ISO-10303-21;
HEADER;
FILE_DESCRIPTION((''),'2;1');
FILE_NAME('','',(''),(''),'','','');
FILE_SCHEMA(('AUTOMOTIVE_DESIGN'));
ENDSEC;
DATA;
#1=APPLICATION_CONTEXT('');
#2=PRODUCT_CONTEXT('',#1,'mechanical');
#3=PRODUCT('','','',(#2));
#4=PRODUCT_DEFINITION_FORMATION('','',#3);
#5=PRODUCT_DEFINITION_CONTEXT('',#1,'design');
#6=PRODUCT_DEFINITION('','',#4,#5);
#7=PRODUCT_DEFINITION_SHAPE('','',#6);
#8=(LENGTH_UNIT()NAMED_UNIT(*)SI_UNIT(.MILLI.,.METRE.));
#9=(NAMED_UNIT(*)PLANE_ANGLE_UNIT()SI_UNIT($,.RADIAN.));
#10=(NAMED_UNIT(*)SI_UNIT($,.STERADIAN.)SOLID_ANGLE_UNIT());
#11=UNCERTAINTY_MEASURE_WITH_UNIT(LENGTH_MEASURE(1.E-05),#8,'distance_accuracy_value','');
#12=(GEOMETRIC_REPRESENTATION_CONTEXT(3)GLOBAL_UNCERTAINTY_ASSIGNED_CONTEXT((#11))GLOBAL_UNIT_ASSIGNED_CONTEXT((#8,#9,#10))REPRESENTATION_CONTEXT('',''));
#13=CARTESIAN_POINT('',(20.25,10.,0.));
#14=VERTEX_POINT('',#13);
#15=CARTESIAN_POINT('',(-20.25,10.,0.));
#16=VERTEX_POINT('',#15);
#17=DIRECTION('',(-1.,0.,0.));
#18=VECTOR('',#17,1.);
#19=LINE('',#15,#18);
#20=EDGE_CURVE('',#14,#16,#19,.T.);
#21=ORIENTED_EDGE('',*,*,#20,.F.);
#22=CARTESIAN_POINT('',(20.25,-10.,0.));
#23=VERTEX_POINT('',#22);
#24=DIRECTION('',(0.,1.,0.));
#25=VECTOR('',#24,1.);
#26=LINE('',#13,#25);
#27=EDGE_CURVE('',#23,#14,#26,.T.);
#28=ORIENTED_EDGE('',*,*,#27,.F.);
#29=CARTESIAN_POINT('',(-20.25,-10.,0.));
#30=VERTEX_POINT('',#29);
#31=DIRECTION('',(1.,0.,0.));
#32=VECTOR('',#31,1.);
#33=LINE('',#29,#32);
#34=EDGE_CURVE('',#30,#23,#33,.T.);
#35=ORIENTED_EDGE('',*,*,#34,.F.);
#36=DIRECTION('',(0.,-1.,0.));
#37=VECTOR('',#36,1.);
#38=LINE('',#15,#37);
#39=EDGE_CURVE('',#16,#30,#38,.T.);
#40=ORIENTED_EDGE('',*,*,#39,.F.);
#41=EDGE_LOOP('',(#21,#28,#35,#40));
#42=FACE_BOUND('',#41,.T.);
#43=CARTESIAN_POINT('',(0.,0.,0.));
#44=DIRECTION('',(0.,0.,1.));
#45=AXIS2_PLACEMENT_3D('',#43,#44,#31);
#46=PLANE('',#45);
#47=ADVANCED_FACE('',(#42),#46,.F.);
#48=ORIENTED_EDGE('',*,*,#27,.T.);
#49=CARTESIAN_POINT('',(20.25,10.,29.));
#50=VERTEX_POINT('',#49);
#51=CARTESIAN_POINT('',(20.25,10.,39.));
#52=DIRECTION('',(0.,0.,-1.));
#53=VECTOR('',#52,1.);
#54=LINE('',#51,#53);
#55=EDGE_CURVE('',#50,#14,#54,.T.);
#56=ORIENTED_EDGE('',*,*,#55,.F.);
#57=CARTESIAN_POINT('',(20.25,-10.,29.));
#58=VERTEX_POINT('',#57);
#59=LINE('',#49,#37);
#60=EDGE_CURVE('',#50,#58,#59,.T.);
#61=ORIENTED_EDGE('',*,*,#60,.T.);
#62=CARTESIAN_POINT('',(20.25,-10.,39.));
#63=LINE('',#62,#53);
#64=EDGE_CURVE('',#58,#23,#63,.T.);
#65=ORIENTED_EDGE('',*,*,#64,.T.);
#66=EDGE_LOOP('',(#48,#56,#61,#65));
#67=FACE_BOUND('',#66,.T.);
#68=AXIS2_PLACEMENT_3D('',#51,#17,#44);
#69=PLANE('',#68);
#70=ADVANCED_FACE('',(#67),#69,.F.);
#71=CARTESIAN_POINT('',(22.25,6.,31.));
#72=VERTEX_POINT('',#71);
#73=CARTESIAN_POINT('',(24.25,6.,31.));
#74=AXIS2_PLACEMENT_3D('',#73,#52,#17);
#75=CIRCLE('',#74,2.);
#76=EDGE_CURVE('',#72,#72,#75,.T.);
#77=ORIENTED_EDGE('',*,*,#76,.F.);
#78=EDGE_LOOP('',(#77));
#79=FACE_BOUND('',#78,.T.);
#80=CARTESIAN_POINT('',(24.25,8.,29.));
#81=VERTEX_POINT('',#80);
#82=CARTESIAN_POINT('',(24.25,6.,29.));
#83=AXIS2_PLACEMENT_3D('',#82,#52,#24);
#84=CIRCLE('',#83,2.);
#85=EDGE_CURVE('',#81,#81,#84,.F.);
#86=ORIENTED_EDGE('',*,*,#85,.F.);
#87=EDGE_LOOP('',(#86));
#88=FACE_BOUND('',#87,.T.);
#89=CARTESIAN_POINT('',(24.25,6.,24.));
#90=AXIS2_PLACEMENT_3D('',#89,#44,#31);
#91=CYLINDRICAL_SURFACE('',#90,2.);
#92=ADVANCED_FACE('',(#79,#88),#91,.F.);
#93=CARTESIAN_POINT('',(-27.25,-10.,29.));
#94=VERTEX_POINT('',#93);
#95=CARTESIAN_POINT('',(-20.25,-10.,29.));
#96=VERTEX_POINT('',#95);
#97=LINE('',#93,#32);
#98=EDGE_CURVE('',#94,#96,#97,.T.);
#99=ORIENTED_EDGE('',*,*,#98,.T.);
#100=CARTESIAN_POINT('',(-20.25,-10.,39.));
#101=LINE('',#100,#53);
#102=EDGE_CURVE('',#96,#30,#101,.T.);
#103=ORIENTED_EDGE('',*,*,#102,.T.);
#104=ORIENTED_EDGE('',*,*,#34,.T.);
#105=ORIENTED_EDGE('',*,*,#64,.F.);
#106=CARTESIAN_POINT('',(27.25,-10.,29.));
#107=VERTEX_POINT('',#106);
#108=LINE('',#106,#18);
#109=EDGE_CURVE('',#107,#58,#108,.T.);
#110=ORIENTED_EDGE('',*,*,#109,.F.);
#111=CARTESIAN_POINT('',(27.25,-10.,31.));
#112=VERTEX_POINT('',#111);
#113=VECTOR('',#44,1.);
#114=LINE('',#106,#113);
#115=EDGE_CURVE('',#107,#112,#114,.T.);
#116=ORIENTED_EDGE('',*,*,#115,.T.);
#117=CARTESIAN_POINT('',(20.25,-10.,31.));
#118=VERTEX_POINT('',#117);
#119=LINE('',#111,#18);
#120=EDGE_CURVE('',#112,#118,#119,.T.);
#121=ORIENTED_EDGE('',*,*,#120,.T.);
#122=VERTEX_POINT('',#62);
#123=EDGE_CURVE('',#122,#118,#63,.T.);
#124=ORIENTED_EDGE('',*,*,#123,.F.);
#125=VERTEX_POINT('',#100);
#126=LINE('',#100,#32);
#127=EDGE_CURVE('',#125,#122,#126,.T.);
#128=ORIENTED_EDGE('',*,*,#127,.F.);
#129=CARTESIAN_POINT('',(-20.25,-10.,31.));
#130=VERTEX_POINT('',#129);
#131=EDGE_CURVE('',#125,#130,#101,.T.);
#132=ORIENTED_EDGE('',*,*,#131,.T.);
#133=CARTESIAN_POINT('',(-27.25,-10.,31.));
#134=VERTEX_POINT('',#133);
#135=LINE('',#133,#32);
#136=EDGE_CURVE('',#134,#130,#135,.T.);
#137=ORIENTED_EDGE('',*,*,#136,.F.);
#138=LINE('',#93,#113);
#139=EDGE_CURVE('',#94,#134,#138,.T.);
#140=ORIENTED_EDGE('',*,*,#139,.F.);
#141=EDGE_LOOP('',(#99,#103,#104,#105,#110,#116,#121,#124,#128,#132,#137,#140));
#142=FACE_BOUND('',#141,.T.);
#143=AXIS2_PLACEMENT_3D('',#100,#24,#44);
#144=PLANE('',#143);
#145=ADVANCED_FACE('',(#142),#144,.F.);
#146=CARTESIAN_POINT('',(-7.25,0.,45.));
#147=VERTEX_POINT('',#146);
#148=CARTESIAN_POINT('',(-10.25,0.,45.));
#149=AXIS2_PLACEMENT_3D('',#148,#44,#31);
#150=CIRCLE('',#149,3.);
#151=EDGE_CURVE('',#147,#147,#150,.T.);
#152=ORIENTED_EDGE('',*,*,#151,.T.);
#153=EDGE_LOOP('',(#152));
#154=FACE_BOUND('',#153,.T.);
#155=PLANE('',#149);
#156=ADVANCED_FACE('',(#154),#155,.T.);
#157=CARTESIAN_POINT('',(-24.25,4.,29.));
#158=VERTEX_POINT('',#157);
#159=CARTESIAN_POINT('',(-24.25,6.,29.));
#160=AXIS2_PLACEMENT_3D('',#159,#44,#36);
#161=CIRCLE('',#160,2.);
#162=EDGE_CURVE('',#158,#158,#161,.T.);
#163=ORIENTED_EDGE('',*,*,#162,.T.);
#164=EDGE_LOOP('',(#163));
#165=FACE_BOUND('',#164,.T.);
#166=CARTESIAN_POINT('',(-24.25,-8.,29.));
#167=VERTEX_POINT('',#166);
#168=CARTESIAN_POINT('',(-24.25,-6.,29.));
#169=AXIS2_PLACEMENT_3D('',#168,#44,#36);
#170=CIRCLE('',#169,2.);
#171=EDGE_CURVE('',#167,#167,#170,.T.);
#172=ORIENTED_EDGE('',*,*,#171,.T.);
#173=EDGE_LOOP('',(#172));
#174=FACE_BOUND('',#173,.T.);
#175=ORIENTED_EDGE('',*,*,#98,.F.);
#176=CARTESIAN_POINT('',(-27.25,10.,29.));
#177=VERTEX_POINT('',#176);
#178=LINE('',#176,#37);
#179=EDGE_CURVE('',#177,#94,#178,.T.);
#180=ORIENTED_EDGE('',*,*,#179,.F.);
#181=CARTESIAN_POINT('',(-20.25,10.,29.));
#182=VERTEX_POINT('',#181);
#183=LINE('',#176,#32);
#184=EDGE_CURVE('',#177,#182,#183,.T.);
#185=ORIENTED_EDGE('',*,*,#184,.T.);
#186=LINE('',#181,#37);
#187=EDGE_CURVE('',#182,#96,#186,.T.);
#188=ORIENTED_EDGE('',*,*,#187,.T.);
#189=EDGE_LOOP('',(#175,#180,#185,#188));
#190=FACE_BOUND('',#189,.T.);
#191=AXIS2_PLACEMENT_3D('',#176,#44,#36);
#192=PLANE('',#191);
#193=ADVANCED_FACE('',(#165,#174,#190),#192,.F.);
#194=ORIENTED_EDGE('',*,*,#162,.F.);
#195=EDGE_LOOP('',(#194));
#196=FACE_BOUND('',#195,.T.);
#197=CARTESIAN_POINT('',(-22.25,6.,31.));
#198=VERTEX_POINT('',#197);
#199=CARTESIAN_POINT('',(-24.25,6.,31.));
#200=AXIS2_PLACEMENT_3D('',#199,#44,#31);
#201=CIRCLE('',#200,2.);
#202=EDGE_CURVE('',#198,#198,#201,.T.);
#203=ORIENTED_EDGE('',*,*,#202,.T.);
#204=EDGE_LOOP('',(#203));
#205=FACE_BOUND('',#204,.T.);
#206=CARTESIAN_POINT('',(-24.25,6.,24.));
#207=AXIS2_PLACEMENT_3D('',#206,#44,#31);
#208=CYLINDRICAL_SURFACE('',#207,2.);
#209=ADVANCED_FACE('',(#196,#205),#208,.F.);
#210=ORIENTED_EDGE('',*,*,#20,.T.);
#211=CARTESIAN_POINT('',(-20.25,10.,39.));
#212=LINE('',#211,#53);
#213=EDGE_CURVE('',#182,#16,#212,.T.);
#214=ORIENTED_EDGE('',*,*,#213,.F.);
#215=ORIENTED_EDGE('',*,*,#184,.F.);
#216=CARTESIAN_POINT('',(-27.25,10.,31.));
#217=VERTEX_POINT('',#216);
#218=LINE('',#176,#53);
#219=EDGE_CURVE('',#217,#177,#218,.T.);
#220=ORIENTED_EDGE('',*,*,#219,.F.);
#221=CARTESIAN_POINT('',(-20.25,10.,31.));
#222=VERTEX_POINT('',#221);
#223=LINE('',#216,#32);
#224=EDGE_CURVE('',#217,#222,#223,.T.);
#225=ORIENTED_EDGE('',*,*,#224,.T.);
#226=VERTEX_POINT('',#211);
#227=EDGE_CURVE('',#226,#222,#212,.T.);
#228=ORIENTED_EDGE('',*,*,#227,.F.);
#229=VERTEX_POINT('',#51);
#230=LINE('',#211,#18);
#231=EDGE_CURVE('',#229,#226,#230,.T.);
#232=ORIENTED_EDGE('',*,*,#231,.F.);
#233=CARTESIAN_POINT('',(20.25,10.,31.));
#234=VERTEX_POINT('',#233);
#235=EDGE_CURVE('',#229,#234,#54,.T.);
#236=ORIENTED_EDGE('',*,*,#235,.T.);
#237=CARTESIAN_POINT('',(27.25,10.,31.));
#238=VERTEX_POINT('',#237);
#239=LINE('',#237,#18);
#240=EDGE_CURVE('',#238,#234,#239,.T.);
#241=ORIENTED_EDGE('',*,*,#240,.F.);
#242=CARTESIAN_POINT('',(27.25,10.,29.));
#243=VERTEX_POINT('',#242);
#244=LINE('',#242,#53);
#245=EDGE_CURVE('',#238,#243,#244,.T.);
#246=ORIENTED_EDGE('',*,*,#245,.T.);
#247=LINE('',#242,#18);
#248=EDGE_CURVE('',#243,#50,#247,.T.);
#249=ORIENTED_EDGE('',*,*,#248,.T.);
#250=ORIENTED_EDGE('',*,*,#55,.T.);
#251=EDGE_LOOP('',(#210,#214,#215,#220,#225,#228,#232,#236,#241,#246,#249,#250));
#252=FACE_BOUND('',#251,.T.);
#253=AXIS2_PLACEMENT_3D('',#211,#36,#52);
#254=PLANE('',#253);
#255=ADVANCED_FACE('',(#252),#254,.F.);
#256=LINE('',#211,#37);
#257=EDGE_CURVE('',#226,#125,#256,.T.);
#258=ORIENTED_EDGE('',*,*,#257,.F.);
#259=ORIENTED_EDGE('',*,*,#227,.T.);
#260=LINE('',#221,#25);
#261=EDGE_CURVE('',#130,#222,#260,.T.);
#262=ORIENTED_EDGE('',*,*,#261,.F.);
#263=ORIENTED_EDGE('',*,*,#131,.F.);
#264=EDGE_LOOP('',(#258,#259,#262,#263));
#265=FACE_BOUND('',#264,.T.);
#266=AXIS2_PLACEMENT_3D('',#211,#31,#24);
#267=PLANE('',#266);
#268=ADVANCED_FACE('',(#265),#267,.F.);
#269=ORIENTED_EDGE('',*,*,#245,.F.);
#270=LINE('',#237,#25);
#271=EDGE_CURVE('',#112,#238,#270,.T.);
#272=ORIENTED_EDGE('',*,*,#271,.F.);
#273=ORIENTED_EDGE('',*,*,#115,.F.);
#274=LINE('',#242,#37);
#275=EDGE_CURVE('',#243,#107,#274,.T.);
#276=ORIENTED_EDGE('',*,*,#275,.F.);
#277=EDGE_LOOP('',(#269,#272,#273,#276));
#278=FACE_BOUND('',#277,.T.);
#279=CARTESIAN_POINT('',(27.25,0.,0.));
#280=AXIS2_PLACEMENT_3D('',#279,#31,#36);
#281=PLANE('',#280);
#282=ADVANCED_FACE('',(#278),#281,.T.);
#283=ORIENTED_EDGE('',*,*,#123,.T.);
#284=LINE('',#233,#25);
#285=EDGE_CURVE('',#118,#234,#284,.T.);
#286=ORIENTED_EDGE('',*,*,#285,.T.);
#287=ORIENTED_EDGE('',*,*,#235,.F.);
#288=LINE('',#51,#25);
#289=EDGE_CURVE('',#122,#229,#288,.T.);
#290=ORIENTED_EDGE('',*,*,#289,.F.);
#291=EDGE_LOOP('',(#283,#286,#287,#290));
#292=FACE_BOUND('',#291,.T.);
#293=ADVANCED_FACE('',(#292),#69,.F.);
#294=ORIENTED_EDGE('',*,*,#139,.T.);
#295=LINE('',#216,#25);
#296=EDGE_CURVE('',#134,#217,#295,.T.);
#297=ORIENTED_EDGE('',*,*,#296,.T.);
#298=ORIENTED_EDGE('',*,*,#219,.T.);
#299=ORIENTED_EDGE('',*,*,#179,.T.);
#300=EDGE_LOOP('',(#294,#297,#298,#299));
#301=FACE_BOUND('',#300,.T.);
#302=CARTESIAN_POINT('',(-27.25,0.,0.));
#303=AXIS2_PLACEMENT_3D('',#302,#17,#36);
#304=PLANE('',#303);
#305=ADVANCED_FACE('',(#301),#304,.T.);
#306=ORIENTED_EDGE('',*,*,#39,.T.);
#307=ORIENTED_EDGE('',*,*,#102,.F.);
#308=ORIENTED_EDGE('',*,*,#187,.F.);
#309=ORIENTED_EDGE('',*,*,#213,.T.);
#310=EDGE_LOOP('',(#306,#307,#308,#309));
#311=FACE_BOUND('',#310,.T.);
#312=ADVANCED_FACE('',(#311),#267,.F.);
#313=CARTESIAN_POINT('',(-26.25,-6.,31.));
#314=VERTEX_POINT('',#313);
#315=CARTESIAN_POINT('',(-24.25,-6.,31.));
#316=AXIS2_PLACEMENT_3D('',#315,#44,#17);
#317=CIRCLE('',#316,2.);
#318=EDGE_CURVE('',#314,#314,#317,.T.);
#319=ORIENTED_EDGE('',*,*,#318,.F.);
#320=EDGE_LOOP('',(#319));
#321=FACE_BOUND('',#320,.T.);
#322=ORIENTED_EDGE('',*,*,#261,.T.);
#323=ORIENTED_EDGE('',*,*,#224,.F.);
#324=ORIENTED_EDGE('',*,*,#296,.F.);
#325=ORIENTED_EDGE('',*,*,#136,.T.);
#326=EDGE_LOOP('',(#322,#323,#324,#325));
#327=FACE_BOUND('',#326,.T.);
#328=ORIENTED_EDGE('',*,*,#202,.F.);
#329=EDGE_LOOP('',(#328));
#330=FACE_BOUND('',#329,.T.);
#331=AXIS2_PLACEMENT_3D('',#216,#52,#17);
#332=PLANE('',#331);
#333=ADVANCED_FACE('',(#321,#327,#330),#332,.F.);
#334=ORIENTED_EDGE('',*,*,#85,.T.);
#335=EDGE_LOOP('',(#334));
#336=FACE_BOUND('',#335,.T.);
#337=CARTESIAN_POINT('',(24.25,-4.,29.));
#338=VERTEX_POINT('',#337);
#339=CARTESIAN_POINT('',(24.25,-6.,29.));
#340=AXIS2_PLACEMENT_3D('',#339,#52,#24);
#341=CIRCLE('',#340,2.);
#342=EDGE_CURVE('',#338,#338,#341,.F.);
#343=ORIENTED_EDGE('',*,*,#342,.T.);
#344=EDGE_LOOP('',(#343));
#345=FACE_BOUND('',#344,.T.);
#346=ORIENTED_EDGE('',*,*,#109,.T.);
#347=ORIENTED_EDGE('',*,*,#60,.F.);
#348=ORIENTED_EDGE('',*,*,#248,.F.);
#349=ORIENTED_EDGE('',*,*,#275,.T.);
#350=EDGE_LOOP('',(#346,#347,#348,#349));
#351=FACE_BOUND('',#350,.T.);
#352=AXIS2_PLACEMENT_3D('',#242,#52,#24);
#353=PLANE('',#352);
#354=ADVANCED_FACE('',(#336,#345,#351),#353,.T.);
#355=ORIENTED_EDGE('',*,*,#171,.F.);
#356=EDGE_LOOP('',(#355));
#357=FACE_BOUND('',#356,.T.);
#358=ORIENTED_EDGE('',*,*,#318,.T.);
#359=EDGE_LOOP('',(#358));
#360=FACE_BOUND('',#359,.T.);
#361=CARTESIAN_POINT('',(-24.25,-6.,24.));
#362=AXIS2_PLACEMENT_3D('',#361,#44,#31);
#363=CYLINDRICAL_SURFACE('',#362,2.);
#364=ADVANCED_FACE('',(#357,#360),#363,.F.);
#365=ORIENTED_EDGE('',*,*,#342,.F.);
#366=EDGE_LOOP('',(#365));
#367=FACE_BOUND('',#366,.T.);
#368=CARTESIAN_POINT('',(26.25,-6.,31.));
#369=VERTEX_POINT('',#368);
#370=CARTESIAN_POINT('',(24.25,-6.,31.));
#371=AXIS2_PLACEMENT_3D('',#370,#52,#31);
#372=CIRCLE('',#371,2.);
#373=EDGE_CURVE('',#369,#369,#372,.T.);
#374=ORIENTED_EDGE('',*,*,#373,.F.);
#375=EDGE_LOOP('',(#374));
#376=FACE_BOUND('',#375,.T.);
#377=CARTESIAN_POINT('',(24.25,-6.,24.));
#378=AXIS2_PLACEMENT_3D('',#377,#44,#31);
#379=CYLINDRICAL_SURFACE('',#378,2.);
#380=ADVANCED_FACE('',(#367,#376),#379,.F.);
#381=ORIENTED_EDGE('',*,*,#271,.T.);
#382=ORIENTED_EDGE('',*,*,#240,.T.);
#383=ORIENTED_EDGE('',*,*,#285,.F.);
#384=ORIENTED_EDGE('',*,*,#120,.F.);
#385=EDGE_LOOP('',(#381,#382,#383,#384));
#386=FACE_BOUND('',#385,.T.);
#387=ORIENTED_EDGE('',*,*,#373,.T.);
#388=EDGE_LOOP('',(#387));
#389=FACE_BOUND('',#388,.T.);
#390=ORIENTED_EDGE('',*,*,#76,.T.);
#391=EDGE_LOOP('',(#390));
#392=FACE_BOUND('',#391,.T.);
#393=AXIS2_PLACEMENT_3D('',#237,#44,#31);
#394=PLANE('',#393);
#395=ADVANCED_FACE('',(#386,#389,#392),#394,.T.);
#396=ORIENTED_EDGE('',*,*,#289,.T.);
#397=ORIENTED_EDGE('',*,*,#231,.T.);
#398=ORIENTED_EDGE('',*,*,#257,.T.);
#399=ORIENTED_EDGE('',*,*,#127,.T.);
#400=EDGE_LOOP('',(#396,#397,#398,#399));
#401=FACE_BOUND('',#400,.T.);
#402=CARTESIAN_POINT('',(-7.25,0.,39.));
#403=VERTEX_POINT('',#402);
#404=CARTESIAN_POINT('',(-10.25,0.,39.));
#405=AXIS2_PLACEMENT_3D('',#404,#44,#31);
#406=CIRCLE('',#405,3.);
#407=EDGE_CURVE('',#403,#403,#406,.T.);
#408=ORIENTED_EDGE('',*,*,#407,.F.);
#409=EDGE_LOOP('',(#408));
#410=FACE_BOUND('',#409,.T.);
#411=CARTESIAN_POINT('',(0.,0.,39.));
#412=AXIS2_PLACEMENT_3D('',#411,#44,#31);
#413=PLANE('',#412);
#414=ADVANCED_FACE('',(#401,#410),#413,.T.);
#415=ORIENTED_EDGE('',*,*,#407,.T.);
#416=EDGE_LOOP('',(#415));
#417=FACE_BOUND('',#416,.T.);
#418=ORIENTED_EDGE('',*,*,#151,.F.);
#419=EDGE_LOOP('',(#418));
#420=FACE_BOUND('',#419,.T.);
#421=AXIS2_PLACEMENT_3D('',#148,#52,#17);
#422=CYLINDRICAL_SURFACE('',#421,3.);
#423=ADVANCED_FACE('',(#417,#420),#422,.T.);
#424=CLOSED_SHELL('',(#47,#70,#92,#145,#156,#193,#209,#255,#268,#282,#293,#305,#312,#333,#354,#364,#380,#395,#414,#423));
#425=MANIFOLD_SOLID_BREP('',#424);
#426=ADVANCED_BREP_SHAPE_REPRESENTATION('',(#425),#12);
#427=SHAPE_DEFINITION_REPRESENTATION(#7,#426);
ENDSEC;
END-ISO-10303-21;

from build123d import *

# Parameters (mm, degrees)
SKETCH1_W           = 40.5
SKETCH1_H           = 20
BOSS_EXTRUDE1_DEPTH = 39
SKETCH2_R           = 3
BOSS_EXTRUDE2_DEPTH = 6
SKETCH3_W           = 2
SKETCH3_H           = 20
BOSS_EXTRUDE3_DEPTH = 7
SKETCH4_R           = 2
CUT_EXTRUDE1_DEPTH  = 7


with BuildPart() as part:
    # Sketch1 → Boss-Extrude1 (new body)
    with BuildSketch(Plane.XY):
        Rectangle(SKETCH1_W, SKETCH1_H)
    extrude(amount=BOSS_EXTRUDE1_DEPTH)

    # Sketch2 → Boss-Extrude2 (add)
    with BuildSketch(Plane.XY.offset(39)):
        with Locations((-10.25, 0)):
            Circle(SKETCH2_R)
    extrude(amount=BOSS_EXTRUDE2_DEPTH)

    # Sketch3 → Boss-Extrude3 (add)
    with BuildSketch(Plane.ZY.offset(20.25)):
        with Locations((30, 0)):
            Rectangle(SKETCH3_W, SKETCH3_H)
    boss_extrude3 = extrude(amount=BOSS_EXTRUDE3_DEPTH)

    # Sketch4 → Cut-Extrude1 (cut)
    with BuildSketch(Plane.XY.offset(31)):
        with Locations((-24.25, 6)):
            Circle(SKETCH4_R)
        with Locations(Location((-24.25, -6, 0), (0, 0, 270))):
            Circle(SKETCH4_R)
    cut_extrude1 = extrude(amount=-CUT_EXTRUDE1_DEPTH, mode=Mode.SUBTRACT)

    # Mirror1: Boss-Extrude3, Cut-Extrude1 across plane
    add(boss_extrude3.mirror(Plane(origin=(0, 0, 0), x_dir=(0, 0, 1), z_dir=(1, 0, 0))))
    add(cut_extrude1.mirror(Plane(origin=(0, 0, 0), x_dir=(0, 0, 1), z_dir=(1, 0, 0))), mode=Mode.SUBTRACT)


solid = part.part
